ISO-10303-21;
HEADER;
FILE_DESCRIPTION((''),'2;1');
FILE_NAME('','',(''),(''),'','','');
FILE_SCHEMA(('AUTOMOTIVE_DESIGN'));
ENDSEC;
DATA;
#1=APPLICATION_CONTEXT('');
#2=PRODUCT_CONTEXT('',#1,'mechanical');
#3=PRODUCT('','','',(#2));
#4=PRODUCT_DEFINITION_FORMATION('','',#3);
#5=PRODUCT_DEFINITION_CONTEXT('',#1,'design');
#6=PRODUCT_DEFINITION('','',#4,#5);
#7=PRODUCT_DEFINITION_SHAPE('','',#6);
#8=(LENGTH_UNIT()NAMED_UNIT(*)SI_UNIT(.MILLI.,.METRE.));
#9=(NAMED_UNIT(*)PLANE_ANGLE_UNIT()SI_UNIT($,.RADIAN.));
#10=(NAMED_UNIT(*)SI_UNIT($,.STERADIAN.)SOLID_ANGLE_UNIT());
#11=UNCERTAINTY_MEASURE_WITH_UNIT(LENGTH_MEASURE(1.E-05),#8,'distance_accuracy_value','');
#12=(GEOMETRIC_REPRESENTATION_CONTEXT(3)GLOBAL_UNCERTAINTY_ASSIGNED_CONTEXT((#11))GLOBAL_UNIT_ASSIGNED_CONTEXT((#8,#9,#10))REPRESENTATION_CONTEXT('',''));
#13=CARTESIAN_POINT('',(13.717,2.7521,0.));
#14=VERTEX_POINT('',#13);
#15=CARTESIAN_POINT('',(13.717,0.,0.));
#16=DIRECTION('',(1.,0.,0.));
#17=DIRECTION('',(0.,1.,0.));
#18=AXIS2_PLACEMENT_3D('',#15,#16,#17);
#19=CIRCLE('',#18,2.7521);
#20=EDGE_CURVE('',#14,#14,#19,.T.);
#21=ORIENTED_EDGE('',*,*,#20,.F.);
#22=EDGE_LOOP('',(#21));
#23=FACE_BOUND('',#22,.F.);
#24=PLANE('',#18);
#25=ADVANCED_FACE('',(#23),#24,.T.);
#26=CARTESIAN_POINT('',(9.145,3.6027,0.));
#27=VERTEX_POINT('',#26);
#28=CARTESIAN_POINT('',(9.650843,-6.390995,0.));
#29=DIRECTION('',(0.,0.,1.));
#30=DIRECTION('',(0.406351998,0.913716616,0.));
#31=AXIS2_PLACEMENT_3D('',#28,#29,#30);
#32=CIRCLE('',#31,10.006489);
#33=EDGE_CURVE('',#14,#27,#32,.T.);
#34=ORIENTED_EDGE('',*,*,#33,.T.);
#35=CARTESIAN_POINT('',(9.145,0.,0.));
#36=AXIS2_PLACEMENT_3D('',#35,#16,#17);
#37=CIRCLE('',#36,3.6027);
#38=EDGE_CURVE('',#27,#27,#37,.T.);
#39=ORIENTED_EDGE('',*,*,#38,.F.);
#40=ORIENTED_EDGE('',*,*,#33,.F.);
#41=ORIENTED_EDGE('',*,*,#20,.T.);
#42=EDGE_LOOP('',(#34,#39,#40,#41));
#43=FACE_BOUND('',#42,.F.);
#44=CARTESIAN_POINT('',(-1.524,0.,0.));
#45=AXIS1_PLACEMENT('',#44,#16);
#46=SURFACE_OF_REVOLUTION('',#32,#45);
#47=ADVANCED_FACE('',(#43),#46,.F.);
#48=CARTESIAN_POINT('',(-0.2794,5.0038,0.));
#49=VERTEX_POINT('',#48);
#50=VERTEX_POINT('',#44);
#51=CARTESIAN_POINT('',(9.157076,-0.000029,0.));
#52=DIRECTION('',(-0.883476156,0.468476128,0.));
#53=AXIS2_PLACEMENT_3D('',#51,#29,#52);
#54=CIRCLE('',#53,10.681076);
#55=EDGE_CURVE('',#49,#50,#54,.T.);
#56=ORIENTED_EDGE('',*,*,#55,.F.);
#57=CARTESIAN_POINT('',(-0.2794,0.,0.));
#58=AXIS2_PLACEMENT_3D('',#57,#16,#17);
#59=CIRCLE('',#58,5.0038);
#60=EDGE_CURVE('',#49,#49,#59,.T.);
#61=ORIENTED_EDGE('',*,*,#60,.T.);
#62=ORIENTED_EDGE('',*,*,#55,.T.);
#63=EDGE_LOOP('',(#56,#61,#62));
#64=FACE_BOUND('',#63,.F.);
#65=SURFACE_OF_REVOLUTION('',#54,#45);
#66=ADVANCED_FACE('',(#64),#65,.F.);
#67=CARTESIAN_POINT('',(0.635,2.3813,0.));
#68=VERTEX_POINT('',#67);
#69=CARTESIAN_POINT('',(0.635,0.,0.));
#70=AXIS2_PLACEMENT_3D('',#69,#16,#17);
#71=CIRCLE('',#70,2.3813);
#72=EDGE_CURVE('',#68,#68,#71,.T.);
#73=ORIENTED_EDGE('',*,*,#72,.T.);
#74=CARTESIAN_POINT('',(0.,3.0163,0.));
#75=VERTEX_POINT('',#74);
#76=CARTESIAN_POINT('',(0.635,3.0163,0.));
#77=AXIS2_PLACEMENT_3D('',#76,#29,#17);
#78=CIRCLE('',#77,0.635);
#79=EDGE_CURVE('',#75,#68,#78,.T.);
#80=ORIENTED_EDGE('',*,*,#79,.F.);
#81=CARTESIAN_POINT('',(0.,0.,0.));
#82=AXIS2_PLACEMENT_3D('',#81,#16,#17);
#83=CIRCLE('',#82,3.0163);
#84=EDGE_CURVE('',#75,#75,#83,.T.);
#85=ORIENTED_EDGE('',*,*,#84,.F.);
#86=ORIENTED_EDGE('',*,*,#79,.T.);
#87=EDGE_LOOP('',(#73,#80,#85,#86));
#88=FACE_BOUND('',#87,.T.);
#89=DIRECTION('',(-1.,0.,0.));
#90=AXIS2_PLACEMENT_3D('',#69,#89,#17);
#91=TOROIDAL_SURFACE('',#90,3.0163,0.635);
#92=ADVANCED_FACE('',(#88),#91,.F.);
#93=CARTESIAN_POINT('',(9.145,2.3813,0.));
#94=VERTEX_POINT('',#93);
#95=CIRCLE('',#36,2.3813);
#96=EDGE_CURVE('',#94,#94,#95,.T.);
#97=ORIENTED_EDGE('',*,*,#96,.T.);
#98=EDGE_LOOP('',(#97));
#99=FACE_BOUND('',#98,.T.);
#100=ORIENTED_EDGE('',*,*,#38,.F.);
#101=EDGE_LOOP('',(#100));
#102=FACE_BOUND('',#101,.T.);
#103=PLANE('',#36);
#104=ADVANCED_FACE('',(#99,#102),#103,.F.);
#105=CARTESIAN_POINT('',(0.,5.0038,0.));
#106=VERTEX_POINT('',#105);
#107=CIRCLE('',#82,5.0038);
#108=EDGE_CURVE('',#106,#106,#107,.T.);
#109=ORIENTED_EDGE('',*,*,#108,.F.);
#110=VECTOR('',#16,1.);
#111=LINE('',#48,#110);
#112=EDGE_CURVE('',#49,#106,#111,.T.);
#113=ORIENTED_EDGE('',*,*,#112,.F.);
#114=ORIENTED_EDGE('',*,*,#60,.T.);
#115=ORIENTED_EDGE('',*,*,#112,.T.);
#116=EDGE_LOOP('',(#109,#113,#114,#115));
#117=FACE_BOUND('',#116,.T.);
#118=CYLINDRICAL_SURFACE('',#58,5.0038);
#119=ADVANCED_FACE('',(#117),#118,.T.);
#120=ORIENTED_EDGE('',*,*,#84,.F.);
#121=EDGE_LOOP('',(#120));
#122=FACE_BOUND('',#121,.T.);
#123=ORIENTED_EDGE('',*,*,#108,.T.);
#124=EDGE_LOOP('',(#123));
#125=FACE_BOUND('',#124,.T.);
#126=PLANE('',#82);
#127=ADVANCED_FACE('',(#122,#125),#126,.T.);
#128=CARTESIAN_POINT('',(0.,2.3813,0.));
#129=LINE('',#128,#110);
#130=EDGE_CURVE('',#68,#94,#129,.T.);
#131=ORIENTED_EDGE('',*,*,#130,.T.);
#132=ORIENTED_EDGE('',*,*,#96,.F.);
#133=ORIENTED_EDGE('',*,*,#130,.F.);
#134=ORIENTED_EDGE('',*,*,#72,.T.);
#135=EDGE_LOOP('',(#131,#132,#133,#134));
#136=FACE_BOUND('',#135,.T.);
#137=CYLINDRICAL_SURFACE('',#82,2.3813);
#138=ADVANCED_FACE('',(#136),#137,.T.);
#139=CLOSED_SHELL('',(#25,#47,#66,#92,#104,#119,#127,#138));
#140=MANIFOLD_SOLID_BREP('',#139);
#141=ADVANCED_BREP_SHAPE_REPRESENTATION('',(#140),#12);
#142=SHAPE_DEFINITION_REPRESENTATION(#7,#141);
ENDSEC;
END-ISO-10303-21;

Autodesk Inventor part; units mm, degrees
ref_plane "YZ Plane" through (0, 0, 0) normal (1, 0, 0) x (0, 1, 0)
ref_plane "XZ Plane" through (0, 0, 0) normal (0, 1, 0) x (-1, 0, 0)
ref_plane "XY Plane" through (0, 0, 0) normal (0, 0, 1) x (1, 0, 0)
sketch "Sketch1" plane through (0, 0, 0) normal (0, 0, 1) x (1, 0, 0)
  line L0 (-0.2794, 5.0038) -> (0, 5.0038)
  line L1 (0, 5.0038) -> (0, 2.3813)
  line L2 (0, 2.3813) -> (9.145, 2.3813)
  line L3 (9.145, 2.3813) -> (9.145, 3.6027)
  line L4 (-1.524, 0) -> (13.717, 0)
  arc A0 (-0.2794, 5.0038) -> (-1.524, 0) centre (9.157, 0) ccw
  line L5 (13.717, 0) -> (13.717, 2.7521)
  arc A1 (13.717, 2.7521) -> (9.145, 3.6027) centre (9.6505, -6.3921) ccw
  line L6 (-2.918, 0) -> (6.7593, 0) projected
  line L7 (0, -5.4716) -> (0, 4.7514) projected
  dimension "d0" = 10.0076
  dimension "d1" = 4.7625
  dimension "d2" = 7.2055
  dimension "d3" = 5.5042
  dimension "d4" = 10.0076
  dimension "d5" = 4.572
  dimension "d6" = 9.145
  dimension "d7" = 0.2794
  dimension "d8" = 1.524
revolve "Body" add sketch "Sketch1" angle 360 about axis through (-1.524, 0, 0) along (1, 0, 0)
fillet "Fillet1" radius 0.635 1 edges at (0, -2.3812, 0)
equation "\"d10\" = R1"
equation "\"d0\" = KOD"
equation "\"d1\" = NND"
equation "\"d2\" = 0.72 * KOD"
equation "\"d3\" = 0.55 * KOD"
equation "\"d4\" = KOD"
equation "\"d5\" = 3 * KOH"
equation "\"d7\" = PHH"
equation "\"d8\" = KOH"
equation "\"NND\" = 4.7625"
equation "\"KLG\" = 9.144"
equation "\"KOH\" = 1.524"
equation "\"KOD\" = 10.0076"
equation "\"PHH\" = 0.2794"
equation "\"R1\" = 0.635"
equation "\"BOR\" = 2.8956"
equation "\"KLGMAX\" = 9.525"
equation "\"KLGMIN\" = 6.3754"
properties part number "IFI 114 - 66" material "Steel, Mild"
